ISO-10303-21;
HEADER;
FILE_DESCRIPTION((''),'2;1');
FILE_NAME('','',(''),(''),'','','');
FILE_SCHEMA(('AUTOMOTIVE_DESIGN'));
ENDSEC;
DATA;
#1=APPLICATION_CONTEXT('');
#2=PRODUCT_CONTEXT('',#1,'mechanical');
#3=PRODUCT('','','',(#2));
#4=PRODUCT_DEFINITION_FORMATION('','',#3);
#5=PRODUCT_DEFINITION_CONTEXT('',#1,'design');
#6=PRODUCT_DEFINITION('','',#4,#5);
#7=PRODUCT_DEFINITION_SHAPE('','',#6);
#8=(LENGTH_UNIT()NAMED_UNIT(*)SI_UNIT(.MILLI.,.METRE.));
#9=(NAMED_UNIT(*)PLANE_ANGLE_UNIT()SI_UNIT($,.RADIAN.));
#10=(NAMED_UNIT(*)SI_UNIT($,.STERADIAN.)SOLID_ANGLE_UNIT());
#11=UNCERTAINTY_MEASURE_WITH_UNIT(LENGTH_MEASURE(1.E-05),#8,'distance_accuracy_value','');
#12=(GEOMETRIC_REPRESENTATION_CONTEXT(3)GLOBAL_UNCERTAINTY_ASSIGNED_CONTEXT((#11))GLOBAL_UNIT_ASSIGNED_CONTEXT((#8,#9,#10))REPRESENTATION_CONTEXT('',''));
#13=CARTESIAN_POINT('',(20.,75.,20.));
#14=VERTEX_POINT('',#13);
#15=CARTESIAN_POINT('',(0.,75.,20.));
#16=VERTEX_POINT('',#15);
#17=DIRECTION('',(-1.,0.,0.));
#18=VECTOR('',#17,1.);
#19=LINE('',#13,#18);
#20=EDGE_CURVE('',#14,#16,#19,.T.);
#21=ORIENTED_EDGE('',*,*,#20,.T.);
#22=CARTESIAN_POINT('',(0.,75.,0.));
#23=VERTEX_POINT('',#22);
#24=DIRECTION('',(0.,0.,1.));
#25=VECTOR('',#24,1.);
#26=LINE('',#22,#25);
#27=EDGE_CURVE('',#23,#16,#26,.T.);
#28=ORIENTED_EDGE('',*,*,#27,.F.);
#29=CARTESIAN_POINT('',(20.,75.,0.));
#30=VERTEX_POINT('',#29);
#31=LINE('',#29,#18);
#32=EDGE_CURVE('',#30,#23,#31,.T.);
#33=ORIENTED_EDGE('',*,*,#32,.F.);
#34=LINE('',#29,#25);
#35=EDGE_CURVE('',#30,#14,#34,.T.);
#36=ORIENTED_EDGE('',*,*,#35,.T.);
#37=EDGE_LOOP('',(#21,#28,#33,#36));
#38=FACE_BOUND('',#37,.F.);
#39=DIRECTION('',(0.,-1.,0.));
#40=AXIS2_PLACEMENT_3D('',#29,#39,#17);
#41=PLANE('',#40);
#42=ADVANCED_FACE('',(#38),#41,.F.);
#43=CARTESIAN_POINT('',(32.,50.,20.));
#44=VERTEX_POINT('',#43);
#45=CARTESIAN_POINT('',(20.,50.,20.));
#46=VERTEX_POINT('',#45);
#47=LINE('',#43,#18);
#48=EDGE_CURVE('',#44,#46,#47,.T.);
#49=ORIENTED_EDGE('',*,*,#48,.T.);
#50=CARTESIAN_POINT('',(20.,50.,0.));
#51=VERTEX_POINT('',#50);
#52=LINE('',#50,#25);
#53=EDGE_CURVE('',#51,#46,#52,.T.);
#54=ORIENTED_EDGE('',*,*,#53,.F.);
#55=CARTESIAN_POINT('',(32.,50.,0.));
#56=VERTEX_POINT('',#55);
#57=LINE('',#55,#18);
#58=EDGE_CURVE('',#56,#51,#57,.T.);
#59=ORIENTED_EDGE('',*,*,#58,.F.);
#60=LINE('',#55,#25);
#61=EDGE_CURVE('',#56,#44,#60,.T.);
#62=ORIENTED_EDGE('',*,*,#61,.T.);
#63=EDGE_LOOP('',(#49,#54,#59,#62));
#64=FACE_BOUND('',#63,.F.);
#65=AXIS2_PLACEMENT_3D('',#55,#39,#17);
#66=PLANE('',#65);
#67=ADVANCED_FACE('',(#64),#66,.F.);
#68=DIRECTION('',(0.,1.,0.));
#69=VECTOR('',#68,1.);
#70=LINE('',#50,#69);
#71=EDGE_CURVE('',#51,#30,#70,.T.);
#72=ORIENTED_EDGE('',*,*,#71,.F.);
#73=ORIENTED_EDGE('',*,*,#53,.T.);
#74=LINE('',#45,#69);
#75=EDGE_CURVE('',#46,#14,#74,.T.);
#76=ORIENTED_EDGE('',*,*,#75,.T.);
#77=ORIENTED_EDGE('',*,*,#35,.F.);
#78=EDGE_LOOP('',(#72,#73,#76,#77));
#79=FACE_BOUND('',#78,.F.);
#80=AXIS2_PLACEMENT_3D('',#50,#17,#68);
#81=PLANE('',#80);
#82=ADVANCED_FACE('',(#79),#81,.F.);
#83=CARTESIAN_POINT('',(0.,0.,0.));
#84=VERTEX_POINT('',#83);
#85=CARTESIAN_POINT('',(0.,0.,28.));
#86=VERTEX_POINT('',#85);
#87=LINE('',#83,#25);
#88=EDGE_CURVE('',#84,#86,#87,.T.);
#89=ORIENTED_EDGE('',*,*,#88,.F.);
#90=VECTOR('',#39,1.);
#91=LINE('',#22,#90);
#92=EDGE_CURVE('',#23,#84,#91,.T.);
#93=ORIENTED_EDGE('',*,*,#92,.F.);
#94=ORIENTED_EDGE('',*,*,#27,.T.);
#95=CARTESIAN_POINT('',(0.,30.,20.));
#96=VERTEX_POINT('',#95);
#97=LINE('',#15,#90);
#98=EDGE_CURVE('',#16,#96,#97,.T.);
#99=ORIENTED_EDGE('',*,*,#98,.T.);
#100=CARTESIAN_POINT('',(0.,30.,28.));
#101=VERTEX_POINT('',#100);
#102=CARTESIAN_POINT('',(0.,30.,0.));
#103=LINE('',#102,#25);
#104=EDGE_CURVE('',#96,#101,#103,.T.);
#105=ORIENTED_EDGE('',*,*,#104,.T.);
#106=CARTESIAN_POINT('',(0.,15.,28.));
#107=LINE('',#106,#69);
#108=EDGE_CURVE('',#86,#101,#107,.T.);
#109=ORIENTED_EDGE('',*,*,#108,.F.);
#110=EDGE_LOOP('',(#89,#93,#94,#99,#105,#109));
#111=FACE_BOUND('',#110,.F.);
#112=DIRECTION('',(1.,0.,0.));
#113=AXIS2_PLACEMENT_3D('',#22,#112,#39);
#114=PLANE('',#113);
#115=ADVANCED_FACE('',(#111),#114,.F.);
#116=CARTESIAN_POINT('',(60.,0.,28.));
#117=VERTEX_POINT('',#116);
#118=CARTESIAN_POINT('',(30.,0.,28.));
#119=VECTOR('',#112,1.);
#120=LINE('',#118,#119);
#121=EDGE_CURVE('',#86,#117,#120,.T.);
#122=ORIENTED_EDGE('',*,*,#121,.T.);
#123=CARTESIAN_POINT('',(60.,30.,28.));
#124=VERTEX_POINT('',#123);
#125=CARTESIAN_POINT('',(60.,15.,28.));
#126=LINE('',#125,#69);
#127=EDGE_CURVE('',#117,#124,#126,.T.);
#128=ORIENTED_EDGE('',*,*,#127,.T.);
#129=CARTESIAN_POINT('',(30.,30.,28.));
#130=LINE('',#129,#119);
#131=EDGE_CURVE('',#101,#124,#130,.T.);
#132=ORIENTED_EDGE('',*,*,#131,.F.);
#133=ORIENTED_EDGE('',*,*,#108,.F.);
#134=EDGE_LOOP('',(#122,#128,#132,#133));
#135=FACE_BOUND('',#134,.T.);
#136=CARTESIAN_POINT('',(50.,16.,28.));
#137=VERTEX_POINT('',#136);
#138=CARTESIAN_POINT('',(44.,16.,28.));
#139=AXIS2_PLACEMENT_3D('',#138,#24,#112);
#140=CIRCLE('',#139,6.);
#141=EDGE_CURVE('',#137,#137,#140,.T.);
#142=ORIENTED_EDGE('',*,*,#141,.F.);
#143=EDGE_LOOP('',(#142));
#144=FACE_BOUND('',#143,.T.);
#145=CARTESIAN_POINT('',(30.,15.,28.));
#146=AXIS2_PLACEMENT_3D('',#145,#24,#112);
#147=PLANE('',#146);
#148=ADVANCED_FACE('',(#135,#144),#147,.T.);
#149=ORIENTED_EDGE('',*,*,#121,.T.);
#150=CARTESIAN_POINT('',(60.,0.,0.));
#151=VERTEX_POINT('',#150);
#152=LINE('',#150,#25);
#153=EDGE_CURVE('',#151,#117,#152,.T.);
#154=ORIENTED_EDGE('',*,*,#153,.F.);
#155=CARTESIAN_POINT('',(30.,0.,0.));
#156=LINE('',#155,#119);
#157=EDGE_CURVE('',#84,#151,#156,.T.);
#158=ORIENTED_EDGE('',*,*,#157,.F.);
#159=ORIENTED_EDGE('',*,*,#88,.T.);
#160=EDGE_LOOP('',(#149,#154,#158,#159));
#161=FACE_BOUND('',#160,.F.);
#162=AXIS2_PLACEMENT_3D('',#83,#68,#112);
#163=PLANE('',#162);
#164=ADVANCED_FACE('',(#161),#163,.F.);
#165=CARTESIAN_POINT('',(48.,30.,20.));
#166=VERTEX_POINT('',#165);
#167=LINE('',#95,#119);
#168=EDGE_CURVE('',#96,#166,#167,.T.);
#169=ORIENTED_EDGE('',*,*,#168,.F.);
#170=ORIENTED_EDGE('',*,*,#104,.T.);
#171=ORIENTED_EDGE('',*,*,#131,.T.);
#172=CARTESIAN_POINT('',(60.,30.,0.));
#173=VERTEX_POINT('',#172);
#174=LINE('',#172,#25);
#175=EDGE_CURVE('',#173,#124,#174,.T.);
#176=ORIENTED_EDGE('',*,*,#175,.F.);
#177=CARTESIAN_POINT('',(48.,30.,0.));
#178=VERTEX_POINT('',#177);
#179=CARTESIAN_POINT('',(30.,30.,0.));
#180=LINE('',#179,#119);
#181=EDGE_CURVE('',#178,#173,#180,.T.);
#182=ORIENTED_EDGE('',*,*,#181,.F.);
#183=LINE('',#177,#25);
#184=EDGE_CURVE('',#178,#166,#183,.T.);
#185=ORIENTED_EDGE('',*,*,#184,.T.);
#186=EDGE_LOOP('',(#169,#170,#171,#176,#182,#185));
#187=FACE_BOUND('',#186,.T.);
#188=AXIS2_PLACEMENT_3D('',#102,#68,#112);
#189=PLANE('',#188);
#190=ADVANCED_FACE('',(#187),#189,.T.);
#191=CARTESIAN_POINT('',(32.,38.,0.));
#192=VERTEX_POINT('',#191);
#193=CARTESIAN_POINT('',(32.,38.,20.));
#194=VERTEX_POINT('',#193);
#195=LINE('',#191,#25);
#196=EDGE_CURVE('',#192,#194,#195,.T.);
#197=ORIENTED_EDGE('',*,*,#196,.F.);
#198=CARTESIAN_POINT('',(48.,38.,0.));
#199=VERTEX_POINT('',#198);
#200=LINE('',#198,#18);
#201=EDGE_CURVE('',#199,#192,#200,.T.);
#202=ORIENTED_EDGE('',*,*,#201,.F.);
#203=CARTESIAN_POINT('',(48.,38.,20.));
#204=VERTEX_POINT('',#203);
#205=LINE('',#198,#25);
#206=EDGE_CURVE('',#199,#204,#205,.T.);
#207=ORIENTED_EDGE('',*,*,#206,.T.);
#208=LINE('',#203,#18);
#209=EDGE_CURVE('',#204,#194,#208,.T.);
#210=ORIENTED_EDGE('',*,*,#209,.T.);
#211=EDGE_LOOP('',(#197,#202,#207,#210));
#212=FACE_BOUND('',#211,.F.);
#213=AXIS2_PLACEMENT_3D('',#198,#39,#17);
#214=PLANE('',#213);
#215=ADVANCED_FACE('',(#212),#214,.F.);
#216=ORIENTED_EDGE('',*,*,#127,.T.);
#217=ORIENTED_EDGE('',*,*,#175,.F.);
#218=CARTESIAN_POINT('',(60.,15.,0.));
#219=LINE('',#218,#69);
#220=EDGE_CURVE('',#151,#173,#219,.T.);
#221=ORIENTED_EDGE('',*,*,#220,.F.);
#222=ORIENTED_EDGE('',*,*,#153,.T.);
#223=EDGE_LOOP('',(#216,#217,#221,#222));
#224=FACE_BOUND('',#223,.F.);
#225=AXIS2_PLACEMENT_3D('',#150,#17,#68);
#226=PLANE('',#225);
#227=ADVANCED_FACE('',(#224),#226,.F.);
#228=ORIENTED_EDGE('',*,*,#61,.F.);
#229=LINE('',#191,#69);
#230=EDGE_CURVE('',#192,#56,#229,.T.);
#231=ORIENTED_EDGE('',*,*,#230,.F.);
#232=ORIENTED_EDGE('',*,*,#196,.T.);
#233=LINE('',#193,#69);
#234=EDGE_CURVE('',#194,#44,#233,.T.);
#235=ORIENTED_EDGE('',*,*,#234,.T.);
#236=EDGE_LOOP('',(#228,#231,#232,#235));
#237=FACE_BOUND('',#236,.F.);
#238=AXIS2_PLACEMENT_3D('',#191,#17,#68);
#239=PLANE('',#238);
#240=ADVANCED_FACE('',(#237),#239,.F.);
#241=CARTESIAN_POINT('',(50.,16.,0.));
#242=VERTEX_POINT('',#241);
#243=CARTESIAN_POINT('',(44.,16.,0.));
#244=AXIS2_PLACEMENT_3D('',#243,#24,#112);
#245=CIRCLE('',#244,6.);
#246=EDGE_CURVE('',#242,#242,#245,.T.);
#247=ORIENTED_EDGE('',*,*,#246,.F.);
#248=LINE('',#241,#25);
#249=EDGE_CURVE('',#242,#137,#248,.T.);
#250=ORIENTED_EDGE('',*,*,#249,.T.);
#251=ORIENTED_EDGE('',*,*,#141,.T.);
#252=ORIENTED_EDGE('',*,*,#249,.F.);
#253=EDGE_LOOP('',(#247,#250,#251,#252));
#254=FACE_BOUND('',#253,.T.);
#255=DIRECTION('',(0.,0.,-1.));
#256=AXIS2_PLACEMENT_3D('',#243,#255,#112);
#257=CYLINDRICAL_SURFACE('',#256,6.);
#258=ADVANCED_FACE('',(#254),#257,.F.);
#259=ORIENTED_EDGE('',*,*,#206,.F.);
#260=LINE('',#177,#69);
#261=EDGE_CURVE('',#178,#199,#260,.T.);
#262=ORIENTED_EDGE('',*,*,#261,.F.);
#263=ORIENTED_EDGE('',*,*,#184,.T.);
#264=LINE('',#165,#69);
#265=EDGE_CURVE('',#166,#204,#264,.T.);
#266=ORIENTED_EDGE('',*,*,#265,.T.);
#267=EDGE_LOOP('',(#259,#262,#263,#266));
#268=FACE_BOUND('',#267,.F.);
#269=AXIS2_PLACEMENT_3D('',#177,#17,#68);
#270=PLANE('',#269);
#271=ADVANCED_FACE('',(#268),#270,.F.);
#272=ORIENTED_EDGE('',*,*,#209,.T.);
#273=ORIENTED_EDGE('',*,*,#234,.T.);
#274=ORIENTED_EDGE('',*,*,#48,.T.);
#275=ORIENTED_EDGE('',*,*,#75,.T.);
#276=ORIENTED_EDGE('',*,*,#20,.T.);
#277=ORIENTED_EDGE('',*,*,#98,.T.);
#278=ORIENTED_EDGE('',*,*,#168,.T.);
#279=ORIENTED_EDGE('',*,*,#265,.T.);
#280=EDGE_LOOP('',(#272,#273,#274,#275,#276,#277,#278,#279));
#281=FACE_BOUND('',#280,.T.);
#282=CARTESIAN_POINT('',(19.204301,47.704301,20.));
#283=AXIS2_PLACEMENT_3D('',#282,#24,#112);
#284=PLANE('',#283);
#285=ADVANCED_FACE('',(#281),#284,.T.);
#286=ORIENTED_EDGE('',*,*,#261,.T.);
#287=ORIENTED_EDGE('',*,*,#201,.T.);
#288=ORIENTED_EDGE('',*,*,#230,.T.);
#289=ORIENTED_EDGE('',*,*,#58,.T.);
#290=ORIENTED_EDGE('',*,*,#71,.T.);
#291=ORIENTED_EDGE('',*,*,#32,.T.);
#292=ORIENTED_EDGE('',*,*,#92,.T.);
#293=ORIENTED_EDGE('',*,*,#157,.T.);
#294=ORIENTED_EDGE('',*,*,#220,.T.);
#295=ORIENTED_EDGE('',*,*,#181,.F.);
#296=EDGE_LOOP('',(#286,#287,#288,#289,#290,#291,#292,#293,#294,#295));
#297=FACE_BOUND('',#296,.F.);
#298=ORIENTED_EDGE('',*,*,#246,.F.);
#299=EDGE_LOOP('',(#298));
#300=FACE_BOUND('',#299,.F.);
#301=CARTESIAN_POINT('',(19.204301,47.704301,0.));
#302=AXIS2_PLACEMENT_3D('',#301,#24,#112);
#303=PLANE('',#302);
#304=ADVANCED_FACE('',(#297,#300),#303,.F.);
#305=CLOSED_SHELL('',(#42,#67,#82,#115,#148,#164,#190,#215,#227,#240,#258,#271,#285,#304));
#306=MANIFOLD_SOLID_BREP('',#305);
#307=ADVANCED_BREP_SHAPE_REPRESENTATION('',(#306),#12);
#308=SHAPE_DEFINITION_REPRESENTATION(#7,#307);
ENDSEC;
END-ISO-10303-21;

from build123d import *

# Parameters (mm, degrees)
SKETCH2_W           = 60
SKETCH2_H           = 30
SKETCH2_R           = 6
BOSS_EXTRUDE2_DEPTH = 28
BOSS_EXTRUDE3_DEPTH = 20


with BuildPart() as part:
    # Sketch2 → Boss-Extrude2 (new body)
    with BuildSketch(Plane.XY):
        with Locations((30, 15)):
            Rectangle(SKETCH2_W, SKETCH2_H)
        with Locations((44, 16)):
            Circle(SKETCH2_R, mode=Mode.SUBTRACT)
    extrude(amount=BOSS_EXTRUDE2_DEPTH)

    # Sketch2_5 → Boss-Extrude3 (add)
    with BuildSketch(Plane.XY):
        Polygon((0, 75), (0, 30), (48, 30), (48, 38), (32, 38), (32, 50), (20, 50), (20, 75), align=None)
    extrude(amount=BOSS_EXTRUDE3_DEPTH)


solid = part.part
